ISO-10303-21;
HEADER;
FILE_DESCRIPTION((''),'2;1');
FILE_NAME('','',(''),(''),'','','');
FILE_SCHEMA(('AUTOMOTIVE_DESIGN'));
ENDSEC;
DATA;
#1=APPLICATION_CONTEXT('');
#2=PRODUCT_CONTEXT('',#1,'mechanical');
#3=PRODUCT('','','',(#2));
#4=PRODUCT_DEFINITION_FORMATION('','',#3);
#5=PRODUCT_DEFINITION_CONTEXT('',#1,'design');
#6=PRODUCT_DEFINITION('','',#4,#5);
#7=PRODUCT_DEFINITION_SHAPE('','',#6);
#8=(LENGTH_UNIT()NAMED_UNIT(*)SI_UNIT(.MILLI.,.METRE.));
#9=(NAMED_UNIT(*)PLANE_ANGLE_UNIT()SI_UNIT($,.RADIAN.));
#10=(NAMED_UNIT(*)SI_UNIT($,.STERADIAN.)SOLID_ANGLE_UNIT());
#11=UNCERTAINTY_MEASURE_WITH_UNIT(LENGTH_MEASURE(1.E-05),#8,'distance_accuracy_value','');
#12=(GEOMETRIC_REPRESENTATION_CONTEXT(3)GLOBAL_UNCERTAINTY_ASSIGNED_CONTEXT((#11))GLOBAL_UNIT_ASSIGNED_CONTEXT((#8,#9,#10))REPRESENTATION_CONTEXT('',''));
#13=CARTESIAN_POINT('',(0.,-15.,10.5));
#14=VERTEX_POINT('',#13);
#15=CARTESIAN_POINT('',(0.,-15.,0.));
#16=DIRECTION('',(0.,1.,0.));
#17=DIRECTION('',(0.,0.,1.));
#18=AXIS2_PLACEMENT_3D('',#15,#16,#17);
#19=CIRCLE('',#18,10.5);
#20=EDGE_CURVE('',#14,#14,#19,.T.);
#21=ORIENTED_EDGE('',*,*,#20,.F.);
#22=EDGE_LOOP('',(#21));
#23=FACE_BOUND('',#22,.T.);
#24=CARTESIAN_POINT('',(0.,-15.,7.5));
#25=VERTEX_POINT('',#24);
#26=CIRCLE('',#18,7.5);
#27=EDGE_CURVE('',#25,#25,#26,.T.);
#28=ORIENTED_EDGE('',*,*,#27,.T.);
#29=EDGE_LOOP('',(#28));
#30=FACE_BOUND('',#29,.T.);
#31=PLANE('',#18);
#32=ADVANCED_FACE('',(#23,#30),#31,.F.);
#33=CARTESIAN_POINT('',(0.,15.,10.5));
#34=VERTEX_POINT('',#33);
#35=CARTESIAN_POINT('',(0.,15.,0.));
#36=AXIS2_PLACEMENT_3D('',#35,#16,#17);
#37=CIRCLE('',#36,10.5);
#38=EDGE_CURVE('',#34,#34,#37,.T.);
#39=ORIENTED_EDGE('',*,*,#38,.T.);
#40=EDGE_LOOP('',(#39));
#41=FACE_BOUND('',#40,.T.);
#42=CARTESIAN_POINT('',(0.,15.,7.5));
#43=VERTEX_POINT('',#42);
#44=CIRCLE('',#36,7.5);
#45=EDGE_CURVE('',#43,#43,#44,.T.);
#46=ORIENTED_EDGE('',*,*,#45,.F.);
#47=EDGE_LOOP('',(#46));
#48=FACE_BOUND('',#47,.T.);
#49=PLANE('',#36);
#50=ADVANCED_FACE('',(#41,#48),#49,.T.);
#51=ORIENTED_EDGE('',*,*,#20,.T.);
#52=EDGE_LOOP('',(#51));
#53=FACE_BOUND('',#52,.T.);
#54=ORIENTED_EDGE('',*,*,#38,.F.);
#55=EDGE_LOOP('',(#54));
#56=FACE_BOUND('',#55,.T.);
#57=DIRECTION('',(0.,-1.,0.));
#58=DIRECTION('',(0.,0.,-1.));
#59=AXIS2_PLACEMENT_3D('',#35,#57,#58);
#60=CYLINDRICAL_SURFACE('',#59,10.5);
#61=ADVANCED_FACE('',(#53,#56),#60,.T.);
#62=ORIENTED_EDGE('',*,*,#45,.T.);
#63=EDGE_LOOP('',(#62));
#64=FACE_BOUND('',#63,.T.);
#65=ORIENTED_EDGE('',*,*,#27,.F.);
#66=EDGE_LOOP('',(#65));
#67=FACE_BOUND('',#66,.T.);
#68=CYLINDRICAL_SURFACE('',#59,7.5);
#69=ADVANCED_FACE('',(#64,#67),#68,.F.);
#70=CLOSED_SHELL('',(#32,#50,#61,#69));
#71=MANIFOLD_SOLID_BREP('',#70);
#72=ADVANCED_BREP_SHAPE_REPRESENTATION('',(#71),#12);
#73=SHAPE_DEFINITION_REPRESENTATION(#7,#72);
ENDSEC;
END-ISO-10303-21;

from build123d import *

# Parameters (mm, degrees)
SKETCH1_R           = 10.5
SKETCH1_R_2         = 7.5
BOSS_EXTRUDE1_DEPTH = 15


with BuildPart() as part:
    # Sketch1 → Boss-Extrude1 (new, symmetric)
    with BuildSketch(Plane(origin=(0, 0, 0), x_dir=(1, 0, 0), z_dir=(0, 1, 0))):
        Circle(SKETCH1_R)
        Circle(SKETCH1_R_2, mode=Mode.SUBTRACT)
    extrude(amount=BOSS_EXTRUDE1_DEPTH, both=True)


solid = part.part
